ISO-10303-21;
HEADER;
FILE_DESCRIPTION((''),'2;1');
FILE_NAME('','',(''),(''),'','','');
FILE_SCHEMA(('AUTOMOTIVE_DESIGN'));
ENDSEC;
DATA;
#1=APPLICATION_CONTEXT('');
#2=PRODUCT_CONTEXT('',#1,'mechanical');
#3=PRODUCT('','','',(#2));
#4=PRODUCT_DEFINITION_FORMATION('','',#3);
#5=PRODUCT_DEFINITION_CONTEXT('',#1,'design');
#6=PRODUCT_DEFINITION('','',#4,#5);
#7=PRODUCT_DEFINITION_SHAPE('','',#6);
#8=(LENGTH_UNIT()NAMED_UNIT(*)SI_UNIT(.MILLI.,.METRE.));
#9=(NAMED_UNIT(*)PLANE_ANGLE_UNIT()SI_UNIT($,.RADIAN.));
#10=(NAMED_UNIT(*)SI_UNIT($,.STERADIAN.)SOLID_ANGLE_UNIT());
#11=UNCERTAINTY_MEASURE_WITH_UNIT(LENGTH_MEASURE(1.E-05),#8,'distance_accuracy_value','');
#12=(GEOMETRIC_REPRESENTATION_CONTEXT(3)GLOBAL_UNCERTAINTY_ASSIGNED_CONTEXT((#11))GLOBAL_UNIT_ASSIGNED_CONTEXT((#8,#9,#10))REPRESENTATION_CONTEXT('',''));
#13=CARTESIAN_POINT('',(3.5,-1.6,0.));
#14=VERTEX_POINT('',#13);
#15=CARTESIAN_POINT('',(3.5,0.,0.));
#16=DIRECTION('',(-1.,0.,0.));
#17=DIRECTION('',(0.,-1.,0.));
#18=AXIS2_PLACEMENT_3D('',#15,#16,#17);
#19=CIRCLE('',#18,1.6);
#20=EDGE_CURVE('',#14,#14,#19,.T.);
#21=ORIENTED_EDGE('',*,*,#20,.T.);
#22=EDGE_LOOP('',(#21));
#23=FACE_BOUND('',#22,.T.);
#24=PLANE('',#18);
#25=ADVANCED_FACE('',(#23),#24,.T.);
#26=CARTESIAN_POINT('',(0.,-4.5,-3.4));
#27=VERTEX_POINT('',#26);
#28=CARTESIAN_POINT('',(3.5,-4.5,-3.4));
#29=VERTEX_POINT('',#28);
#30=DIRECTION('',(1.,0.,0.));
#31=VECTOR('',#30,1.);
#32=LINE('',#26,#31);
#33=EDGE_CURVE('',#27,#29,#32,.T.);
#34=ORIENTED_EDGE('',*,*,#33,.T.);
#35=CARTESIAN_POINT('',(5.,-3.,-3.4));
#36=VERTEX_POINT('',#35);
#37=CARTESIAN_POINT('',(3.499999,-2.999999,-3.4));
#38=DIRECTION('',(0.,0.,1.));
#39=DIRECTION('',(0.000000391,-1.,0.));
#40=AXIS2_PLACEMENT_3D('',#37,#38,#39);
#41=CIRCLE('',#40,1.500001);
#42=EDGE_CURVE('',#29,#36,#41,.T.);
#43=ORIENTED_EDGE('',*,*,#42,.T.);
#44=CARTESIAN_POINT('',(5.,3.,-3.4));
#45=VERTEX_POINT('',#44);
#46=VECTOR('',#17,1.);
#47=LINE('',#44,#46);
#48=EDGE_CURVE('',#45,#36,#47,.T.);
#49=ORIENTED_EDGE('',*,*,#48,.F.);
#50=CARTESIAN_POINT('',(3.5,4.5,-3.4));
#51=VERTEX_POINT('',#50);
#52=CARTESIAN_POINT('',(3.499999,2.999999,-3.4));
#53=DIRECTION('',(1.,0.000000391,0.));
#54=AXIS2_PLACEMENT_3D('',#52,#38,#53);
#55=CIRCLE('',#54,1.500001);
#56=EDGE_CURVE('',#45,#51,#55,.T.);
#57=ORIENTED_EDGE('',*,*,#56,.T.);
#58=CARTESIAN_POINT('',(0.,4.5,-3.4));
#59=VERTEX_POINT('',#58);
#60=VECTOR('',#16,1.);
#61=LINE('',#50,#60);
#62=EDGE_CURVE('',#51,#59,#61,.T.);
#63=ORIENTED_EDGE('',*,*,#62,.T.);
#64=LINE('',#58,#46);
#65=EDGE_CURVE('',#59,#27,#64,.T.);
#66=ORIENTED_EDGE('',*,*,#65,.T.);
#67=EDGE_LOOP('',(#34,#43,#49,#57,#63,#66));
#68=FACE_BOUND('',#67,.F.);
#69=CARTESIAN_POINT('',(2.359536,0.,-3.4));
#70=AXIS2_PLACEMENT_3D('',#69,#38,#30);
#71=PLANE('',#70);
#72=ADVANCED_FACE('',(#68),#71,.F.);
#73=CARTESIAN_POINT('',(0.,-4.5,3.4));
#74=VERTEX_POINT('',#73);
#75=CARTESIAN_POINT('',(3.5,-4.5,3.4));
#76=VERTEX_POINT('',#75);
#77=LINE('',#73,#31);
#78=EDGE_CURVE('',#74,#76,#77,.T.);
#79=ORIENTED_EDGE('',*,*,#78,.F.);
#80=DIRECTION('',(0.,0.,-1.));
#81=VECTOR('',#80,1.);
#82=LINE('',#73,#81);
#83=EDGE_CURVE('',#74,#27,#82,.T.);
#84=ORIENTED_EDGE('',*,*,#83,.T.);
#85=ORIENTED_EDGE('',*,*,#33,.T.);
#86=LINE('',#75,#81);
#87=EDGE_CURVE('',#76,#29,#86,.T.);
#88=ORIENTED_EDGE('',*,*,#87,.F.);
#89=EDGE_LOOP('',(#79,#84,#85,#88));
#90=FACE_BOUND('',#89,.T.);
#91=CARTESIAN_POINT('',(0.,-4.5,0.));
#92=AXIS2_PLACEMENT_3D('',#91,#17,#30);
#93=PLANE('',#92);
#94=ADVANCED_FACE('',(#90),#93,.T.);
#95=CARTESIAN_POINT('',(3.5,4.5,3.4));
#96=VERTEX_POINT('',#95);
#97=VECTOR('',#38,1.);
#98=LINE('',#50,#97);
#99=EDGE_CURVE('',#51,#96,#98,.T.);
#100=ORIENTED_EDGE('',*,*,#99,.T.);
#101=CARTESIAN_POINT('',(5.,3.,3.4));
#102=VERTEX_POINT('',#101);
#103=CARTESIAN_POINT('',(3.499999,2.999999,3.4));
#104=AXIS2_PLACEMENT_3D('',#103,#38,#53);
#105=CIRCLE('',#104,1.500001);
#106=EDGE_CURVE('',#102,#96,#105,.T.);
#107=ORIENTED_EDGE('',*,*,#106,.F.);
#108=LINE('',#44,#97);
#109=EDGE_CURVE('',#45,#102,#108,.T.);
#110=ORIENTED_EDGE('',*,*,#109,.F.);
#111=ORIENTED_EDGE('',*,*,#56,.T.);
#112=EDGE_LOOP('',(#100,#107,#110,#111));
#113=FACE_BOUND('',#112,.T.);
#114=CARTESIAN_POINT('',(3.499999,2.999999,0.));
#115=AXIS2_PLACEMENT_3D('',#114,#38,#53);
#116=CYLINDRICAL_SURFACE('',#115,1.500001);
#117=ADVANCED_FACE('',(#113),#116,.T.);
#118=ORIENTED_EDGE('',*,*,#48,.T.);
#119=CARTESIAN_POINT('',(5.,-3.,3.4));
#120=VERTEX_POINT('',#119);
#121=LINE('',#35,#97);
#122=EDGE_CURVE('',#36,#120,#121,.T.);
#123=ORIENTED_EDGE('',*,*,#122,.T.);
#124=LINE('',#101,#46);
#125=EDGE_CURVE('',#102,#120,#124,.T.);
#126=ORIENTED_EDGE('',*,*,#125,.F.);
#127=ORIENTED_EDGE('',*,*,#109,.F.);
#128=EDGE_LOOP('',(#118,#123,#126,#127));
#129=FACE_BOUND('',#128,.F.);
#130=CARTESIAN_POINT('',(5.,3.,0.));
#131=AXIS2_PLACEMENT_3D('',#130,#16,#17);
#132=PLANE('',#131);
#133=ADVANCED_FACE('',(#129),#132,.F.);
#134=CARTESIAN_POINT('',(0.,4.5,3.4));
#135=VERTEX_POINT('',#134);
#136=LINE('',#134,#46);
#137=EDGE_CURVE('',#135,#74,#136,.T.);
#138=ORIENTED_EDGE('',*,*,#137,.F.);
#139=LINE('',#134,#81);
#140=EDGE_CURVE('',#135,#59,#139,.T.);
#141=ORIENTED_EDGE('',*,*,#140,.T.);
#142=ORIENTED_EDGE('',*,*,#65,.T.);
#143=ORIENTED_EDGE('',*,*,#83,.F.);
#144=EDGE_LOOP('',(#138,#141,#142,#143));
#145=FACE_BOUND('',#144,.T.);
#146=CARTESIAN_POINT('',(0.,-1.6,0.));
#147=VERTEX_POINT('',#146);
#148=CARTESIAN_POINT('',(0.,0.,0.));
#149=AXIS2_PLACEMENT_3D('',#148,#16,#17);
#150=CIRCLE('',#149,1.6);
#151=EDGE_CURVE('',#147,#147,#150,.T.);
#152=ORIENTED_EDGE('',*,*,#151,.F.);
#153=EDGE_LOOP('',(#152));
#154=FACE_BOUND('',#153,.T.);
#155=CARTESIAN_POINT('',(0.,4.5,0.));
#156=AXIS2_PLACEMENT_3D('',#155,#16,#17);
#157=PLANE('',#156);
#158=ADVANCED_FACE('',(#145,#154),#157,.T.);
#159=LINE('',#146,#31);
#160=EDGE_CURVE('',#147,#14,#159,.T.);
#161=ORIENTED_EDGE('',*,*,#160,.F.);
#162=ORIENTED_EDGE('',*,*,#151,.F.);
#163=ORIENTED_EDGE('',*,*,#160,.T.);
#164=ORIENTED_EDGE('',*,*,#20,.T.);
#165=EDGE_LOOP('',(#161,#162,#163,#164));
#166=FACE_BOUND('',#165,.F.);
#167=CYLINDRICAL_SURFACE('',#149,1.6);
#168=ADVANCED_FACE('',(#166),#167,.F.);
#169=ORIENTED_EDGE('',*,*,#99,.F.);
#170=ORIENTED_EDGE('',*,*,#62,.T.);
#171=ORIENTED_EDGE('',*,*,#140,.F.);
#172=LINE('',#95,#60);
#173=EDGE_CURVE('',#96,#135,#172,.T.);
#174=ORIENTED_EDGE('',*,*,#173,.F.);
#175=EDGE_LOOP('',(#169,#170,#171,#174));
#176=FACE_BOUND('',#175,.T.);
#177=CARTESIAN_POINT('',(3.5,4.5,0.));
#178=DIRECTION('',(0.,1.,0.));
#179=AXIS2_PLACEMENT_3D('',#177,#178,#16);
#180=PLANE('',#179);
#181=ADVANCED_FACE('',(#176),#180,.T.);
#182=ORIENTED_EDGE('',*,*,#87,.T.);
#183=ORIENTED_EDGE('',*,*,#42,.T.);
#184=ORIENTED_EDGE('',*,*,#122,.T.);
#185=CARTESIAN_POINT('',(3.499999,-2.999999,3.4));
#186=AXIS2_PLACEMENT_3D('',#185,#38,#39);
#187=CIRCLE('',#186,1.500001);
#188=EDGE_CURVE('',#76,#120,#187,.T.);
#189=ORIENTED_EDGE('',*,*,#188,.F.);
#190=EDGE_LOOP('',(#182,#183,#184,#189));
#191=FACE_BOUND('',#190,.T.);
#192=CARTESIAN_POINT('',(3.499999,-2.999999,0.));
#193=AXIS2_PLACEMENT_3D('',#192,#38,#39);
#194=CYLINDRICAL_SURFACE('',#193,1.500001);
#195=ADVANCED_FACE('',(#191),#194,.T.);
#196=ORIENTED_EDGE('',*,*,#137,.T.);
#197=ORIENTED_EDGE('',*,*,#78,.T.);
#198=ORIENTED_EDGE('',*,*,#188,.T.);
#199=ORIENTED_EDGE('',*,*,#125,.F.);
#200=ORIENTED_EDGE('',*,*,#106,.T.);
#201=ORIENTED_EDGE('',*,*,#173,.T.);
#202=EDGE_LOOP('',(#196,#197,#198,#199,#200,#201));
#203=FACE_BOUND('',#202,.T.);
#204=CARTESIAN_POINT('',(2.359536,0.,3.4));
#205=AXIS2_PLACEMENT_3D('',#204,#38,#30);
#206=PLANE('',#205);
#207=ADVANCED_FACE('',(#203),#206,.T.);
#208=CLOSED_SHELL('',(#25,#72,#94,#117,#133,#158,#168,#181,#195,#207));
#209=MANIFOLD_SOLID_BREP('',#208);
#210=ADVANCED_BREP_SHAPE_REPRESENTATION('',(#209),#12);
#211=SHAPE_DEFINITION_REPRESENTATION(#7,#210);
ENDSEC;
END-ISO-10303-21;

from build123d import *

# Parameters (mm, degrees)
PAD_DEPTH    = 3.4
SKETCH001_R  = 1.6
POCKET_DEPTH = 3.5


with BuildPart() as part:
    # Sketch → Pad (new body, symmetric)
    with BuildSketch(Plane.XY):
        with BuildLine():
            ThreePointArc((3.5, -4.5), (4.56066, -4.06066), (5, -3))
            Line((5, 3), (5, -3))
            ThreePointArc((5, 3), (4.56066, 4.06066), (3.5, 4.5))
            Line((3.5, 4.5), (0, 4.5))
            Line((0, 4.5), (0, -4.5))
            Line((0, -4.5), (3.5, -4.5))
        make_face()
    extrude(amount=PAD_DEPTH, both=True)

    # Sketch001 (on Face5 of Pad) → Pocket (cut)
    with BuildSketch(Plane(origin=(0, 0, 0), x_dir=(0, -1, 0), z_dir=(-1, 0, 0))):
        Circle(SKETCH001_R)
    extrude(amount=-POCKET_DEPTH, mode=Mode.SUBTRACT)


solid = part.part
